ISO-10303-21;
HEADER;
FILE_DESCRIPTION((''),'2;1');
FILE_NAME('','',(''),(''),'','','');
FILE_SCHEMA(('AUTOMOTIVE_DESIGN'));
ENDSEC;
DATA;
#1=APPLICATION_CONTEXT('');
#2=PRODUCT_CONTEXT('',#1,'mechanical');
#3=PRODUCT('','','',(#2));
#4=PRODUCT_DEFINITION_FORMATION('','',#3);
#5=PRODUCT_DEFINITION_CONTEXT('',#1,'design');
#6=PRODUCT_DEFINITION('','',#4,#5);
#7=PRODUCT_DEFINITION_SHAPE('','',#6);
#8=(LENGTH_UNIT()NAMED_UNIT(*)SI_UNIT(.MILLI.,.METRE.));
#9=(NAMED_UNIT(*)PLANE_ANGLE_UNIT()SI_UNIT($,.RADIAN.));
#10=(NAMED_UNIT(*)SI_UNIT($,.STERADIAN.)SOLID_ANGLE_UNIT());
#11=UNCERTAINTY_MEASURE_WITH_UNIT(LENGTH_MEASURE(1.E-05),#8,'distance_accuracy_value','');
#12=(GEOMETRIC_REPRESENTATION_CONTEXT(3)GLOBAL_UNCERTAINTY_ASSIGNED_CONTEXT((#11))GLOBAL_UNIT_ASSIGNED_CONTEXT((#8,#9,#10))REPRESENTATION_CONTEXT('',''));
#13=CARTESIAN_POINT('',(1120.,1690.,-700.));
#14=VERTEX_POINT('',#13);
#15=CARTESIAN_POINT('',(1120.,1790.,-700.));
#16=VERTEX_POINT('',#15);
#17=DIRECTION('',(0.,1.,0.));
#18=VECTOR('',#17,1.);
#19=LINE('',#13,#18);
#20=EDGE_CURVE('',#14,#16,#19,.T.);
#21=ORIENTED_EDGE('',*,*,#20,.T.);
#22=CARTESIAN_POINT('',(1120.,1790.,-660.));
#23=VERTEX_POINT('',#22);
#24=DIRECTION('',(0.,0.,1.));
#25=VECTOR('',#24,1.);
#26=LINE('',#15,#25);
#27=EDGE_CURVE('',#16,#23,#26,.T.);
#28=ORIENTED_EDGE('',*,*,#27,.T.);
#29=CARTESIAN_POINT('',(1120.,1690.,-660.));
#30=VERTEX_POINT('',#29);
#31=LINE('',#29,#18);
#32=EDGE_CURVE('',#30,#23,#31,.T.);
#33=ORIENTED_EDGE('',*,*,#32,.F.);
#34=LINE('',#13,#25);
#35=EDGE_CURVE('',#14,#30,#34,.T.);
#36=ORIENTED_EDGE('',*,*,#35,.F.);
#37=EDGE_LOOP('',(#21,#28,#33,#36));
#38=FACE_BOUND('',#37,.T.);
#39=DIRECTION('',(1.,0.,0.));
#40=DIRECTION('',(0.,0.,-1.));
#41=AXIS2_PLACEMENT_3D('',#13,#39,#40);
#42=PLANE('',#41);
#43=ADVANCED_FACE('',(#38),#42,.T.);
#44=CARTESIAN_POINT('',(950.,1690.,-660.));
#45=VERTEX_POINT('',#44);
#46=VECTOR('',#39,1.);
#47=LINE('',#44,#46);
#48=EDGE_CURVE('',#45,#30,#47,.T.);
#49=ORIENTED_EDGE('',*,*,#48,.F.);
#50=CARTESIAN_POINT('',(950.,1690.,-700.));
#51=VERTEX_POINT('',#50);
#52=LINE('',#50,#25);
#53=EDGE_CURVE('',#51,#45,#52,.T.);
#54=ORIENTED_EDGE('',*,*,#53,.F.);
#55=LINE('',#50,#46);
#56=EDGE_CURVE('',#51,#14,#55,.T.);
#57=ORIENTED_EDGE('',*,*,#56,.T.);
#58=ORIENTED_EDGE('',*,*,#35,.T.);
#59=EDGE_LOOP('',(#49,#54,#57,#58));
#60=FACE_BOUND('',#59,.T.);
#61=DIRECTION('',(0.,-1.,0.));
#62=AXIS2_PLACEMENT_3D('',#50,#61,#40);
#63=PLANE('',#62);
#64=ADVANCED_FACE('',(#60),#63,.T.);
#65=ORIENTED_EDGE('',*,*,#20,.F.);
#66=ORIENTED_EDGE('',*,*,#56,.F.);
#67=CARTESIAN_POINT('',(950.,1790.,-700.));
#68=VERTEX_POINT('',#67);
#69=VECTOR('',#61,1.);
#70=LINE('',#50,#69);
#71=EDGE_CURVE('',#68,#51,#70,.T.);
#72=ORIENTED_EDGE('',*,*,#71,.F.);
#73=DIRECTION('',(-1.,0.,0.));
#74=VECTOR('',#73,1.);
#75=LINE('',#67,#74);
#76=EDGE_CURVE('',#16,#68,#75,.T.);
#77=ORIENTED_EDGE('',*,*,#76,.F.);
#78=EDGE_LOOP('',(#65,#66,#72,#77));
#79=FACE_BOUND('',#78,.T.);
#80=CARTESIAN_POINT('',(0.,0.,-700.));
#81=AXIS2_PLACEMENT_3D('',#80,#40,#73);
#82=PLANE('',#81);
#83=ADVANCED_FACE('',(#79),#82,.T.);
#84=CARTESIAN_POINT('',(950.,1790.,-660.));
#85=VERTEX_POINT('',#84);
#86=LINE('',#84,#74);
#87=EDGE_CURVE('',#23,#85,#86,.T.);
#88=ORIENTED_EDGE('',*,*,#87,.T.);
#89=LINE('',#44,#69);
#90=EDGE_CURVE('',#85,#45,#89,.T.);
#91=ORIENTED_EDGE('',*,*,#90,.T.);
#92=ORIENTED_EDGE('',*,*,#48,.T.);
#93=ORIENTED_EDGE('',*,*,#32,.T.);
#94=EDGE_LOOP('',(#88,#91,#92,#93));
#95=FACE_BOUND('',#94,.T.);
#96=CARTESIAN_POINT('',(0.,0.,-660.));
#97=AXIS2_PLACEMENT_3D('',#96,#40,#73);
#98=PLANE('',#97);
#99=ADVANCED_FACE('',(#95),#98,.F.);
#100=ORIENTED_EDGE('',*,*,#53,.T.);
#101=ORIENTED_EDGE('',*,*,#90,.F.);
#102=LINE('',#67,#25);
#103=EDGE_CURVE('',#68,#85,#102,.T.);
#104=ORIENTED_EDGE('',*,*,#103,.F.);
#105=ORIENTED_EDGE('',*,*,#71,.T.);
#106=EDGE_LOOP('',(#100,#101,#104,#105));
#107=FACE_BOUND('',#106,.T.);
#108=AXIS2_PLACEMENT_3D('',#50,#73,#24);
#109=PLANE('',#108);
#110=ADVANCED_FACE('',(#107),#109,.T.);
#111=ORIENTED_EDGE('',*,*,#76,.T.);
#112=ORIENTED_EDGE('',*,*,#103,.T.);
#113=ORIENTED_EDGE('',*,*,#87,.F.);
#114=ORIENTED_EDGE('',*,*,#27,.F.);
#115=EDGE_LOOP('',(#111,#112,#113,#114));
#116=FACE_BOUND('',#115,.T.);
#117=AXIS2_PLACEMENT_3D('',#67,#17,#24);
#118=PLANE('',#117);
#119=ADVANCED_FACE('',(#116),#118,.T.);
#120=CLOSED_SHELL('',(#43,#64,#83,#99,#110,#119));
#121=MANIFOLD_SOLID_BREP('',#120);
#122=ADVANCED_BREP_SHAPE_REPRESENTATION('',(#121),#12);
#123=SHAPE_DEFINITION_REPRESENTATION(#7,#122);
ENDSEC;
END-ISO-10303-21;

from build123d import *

# Parameters (mm, degrees)
STORE_PLC_GIRIS_MODULU_16_KANAL_1_START = -660
SKETCH1_W                               = 170
SKETCH1_H                               = 100
STORE_PLC_GIRIS_MODULU_16_KANAL_1_DEPTH = 40


with BuildPart() as part:
    # Sketch1 → STORE_PLC_giris_modulu_16_kanal_1 (new body)
    with BuildSketch(Plane.XY.offset(STORE_PLC_GIRIS_MODULU_16_KANAL_1_START)):
        with Locations((1035, 1740)):
            Rectangle(SKETCH1_W, SKETCH1_H)
    extrude(amount=-STORE_PLC_GIRIS_MODULU_16_KANAL_1_DEPTH)


solid = part.part
